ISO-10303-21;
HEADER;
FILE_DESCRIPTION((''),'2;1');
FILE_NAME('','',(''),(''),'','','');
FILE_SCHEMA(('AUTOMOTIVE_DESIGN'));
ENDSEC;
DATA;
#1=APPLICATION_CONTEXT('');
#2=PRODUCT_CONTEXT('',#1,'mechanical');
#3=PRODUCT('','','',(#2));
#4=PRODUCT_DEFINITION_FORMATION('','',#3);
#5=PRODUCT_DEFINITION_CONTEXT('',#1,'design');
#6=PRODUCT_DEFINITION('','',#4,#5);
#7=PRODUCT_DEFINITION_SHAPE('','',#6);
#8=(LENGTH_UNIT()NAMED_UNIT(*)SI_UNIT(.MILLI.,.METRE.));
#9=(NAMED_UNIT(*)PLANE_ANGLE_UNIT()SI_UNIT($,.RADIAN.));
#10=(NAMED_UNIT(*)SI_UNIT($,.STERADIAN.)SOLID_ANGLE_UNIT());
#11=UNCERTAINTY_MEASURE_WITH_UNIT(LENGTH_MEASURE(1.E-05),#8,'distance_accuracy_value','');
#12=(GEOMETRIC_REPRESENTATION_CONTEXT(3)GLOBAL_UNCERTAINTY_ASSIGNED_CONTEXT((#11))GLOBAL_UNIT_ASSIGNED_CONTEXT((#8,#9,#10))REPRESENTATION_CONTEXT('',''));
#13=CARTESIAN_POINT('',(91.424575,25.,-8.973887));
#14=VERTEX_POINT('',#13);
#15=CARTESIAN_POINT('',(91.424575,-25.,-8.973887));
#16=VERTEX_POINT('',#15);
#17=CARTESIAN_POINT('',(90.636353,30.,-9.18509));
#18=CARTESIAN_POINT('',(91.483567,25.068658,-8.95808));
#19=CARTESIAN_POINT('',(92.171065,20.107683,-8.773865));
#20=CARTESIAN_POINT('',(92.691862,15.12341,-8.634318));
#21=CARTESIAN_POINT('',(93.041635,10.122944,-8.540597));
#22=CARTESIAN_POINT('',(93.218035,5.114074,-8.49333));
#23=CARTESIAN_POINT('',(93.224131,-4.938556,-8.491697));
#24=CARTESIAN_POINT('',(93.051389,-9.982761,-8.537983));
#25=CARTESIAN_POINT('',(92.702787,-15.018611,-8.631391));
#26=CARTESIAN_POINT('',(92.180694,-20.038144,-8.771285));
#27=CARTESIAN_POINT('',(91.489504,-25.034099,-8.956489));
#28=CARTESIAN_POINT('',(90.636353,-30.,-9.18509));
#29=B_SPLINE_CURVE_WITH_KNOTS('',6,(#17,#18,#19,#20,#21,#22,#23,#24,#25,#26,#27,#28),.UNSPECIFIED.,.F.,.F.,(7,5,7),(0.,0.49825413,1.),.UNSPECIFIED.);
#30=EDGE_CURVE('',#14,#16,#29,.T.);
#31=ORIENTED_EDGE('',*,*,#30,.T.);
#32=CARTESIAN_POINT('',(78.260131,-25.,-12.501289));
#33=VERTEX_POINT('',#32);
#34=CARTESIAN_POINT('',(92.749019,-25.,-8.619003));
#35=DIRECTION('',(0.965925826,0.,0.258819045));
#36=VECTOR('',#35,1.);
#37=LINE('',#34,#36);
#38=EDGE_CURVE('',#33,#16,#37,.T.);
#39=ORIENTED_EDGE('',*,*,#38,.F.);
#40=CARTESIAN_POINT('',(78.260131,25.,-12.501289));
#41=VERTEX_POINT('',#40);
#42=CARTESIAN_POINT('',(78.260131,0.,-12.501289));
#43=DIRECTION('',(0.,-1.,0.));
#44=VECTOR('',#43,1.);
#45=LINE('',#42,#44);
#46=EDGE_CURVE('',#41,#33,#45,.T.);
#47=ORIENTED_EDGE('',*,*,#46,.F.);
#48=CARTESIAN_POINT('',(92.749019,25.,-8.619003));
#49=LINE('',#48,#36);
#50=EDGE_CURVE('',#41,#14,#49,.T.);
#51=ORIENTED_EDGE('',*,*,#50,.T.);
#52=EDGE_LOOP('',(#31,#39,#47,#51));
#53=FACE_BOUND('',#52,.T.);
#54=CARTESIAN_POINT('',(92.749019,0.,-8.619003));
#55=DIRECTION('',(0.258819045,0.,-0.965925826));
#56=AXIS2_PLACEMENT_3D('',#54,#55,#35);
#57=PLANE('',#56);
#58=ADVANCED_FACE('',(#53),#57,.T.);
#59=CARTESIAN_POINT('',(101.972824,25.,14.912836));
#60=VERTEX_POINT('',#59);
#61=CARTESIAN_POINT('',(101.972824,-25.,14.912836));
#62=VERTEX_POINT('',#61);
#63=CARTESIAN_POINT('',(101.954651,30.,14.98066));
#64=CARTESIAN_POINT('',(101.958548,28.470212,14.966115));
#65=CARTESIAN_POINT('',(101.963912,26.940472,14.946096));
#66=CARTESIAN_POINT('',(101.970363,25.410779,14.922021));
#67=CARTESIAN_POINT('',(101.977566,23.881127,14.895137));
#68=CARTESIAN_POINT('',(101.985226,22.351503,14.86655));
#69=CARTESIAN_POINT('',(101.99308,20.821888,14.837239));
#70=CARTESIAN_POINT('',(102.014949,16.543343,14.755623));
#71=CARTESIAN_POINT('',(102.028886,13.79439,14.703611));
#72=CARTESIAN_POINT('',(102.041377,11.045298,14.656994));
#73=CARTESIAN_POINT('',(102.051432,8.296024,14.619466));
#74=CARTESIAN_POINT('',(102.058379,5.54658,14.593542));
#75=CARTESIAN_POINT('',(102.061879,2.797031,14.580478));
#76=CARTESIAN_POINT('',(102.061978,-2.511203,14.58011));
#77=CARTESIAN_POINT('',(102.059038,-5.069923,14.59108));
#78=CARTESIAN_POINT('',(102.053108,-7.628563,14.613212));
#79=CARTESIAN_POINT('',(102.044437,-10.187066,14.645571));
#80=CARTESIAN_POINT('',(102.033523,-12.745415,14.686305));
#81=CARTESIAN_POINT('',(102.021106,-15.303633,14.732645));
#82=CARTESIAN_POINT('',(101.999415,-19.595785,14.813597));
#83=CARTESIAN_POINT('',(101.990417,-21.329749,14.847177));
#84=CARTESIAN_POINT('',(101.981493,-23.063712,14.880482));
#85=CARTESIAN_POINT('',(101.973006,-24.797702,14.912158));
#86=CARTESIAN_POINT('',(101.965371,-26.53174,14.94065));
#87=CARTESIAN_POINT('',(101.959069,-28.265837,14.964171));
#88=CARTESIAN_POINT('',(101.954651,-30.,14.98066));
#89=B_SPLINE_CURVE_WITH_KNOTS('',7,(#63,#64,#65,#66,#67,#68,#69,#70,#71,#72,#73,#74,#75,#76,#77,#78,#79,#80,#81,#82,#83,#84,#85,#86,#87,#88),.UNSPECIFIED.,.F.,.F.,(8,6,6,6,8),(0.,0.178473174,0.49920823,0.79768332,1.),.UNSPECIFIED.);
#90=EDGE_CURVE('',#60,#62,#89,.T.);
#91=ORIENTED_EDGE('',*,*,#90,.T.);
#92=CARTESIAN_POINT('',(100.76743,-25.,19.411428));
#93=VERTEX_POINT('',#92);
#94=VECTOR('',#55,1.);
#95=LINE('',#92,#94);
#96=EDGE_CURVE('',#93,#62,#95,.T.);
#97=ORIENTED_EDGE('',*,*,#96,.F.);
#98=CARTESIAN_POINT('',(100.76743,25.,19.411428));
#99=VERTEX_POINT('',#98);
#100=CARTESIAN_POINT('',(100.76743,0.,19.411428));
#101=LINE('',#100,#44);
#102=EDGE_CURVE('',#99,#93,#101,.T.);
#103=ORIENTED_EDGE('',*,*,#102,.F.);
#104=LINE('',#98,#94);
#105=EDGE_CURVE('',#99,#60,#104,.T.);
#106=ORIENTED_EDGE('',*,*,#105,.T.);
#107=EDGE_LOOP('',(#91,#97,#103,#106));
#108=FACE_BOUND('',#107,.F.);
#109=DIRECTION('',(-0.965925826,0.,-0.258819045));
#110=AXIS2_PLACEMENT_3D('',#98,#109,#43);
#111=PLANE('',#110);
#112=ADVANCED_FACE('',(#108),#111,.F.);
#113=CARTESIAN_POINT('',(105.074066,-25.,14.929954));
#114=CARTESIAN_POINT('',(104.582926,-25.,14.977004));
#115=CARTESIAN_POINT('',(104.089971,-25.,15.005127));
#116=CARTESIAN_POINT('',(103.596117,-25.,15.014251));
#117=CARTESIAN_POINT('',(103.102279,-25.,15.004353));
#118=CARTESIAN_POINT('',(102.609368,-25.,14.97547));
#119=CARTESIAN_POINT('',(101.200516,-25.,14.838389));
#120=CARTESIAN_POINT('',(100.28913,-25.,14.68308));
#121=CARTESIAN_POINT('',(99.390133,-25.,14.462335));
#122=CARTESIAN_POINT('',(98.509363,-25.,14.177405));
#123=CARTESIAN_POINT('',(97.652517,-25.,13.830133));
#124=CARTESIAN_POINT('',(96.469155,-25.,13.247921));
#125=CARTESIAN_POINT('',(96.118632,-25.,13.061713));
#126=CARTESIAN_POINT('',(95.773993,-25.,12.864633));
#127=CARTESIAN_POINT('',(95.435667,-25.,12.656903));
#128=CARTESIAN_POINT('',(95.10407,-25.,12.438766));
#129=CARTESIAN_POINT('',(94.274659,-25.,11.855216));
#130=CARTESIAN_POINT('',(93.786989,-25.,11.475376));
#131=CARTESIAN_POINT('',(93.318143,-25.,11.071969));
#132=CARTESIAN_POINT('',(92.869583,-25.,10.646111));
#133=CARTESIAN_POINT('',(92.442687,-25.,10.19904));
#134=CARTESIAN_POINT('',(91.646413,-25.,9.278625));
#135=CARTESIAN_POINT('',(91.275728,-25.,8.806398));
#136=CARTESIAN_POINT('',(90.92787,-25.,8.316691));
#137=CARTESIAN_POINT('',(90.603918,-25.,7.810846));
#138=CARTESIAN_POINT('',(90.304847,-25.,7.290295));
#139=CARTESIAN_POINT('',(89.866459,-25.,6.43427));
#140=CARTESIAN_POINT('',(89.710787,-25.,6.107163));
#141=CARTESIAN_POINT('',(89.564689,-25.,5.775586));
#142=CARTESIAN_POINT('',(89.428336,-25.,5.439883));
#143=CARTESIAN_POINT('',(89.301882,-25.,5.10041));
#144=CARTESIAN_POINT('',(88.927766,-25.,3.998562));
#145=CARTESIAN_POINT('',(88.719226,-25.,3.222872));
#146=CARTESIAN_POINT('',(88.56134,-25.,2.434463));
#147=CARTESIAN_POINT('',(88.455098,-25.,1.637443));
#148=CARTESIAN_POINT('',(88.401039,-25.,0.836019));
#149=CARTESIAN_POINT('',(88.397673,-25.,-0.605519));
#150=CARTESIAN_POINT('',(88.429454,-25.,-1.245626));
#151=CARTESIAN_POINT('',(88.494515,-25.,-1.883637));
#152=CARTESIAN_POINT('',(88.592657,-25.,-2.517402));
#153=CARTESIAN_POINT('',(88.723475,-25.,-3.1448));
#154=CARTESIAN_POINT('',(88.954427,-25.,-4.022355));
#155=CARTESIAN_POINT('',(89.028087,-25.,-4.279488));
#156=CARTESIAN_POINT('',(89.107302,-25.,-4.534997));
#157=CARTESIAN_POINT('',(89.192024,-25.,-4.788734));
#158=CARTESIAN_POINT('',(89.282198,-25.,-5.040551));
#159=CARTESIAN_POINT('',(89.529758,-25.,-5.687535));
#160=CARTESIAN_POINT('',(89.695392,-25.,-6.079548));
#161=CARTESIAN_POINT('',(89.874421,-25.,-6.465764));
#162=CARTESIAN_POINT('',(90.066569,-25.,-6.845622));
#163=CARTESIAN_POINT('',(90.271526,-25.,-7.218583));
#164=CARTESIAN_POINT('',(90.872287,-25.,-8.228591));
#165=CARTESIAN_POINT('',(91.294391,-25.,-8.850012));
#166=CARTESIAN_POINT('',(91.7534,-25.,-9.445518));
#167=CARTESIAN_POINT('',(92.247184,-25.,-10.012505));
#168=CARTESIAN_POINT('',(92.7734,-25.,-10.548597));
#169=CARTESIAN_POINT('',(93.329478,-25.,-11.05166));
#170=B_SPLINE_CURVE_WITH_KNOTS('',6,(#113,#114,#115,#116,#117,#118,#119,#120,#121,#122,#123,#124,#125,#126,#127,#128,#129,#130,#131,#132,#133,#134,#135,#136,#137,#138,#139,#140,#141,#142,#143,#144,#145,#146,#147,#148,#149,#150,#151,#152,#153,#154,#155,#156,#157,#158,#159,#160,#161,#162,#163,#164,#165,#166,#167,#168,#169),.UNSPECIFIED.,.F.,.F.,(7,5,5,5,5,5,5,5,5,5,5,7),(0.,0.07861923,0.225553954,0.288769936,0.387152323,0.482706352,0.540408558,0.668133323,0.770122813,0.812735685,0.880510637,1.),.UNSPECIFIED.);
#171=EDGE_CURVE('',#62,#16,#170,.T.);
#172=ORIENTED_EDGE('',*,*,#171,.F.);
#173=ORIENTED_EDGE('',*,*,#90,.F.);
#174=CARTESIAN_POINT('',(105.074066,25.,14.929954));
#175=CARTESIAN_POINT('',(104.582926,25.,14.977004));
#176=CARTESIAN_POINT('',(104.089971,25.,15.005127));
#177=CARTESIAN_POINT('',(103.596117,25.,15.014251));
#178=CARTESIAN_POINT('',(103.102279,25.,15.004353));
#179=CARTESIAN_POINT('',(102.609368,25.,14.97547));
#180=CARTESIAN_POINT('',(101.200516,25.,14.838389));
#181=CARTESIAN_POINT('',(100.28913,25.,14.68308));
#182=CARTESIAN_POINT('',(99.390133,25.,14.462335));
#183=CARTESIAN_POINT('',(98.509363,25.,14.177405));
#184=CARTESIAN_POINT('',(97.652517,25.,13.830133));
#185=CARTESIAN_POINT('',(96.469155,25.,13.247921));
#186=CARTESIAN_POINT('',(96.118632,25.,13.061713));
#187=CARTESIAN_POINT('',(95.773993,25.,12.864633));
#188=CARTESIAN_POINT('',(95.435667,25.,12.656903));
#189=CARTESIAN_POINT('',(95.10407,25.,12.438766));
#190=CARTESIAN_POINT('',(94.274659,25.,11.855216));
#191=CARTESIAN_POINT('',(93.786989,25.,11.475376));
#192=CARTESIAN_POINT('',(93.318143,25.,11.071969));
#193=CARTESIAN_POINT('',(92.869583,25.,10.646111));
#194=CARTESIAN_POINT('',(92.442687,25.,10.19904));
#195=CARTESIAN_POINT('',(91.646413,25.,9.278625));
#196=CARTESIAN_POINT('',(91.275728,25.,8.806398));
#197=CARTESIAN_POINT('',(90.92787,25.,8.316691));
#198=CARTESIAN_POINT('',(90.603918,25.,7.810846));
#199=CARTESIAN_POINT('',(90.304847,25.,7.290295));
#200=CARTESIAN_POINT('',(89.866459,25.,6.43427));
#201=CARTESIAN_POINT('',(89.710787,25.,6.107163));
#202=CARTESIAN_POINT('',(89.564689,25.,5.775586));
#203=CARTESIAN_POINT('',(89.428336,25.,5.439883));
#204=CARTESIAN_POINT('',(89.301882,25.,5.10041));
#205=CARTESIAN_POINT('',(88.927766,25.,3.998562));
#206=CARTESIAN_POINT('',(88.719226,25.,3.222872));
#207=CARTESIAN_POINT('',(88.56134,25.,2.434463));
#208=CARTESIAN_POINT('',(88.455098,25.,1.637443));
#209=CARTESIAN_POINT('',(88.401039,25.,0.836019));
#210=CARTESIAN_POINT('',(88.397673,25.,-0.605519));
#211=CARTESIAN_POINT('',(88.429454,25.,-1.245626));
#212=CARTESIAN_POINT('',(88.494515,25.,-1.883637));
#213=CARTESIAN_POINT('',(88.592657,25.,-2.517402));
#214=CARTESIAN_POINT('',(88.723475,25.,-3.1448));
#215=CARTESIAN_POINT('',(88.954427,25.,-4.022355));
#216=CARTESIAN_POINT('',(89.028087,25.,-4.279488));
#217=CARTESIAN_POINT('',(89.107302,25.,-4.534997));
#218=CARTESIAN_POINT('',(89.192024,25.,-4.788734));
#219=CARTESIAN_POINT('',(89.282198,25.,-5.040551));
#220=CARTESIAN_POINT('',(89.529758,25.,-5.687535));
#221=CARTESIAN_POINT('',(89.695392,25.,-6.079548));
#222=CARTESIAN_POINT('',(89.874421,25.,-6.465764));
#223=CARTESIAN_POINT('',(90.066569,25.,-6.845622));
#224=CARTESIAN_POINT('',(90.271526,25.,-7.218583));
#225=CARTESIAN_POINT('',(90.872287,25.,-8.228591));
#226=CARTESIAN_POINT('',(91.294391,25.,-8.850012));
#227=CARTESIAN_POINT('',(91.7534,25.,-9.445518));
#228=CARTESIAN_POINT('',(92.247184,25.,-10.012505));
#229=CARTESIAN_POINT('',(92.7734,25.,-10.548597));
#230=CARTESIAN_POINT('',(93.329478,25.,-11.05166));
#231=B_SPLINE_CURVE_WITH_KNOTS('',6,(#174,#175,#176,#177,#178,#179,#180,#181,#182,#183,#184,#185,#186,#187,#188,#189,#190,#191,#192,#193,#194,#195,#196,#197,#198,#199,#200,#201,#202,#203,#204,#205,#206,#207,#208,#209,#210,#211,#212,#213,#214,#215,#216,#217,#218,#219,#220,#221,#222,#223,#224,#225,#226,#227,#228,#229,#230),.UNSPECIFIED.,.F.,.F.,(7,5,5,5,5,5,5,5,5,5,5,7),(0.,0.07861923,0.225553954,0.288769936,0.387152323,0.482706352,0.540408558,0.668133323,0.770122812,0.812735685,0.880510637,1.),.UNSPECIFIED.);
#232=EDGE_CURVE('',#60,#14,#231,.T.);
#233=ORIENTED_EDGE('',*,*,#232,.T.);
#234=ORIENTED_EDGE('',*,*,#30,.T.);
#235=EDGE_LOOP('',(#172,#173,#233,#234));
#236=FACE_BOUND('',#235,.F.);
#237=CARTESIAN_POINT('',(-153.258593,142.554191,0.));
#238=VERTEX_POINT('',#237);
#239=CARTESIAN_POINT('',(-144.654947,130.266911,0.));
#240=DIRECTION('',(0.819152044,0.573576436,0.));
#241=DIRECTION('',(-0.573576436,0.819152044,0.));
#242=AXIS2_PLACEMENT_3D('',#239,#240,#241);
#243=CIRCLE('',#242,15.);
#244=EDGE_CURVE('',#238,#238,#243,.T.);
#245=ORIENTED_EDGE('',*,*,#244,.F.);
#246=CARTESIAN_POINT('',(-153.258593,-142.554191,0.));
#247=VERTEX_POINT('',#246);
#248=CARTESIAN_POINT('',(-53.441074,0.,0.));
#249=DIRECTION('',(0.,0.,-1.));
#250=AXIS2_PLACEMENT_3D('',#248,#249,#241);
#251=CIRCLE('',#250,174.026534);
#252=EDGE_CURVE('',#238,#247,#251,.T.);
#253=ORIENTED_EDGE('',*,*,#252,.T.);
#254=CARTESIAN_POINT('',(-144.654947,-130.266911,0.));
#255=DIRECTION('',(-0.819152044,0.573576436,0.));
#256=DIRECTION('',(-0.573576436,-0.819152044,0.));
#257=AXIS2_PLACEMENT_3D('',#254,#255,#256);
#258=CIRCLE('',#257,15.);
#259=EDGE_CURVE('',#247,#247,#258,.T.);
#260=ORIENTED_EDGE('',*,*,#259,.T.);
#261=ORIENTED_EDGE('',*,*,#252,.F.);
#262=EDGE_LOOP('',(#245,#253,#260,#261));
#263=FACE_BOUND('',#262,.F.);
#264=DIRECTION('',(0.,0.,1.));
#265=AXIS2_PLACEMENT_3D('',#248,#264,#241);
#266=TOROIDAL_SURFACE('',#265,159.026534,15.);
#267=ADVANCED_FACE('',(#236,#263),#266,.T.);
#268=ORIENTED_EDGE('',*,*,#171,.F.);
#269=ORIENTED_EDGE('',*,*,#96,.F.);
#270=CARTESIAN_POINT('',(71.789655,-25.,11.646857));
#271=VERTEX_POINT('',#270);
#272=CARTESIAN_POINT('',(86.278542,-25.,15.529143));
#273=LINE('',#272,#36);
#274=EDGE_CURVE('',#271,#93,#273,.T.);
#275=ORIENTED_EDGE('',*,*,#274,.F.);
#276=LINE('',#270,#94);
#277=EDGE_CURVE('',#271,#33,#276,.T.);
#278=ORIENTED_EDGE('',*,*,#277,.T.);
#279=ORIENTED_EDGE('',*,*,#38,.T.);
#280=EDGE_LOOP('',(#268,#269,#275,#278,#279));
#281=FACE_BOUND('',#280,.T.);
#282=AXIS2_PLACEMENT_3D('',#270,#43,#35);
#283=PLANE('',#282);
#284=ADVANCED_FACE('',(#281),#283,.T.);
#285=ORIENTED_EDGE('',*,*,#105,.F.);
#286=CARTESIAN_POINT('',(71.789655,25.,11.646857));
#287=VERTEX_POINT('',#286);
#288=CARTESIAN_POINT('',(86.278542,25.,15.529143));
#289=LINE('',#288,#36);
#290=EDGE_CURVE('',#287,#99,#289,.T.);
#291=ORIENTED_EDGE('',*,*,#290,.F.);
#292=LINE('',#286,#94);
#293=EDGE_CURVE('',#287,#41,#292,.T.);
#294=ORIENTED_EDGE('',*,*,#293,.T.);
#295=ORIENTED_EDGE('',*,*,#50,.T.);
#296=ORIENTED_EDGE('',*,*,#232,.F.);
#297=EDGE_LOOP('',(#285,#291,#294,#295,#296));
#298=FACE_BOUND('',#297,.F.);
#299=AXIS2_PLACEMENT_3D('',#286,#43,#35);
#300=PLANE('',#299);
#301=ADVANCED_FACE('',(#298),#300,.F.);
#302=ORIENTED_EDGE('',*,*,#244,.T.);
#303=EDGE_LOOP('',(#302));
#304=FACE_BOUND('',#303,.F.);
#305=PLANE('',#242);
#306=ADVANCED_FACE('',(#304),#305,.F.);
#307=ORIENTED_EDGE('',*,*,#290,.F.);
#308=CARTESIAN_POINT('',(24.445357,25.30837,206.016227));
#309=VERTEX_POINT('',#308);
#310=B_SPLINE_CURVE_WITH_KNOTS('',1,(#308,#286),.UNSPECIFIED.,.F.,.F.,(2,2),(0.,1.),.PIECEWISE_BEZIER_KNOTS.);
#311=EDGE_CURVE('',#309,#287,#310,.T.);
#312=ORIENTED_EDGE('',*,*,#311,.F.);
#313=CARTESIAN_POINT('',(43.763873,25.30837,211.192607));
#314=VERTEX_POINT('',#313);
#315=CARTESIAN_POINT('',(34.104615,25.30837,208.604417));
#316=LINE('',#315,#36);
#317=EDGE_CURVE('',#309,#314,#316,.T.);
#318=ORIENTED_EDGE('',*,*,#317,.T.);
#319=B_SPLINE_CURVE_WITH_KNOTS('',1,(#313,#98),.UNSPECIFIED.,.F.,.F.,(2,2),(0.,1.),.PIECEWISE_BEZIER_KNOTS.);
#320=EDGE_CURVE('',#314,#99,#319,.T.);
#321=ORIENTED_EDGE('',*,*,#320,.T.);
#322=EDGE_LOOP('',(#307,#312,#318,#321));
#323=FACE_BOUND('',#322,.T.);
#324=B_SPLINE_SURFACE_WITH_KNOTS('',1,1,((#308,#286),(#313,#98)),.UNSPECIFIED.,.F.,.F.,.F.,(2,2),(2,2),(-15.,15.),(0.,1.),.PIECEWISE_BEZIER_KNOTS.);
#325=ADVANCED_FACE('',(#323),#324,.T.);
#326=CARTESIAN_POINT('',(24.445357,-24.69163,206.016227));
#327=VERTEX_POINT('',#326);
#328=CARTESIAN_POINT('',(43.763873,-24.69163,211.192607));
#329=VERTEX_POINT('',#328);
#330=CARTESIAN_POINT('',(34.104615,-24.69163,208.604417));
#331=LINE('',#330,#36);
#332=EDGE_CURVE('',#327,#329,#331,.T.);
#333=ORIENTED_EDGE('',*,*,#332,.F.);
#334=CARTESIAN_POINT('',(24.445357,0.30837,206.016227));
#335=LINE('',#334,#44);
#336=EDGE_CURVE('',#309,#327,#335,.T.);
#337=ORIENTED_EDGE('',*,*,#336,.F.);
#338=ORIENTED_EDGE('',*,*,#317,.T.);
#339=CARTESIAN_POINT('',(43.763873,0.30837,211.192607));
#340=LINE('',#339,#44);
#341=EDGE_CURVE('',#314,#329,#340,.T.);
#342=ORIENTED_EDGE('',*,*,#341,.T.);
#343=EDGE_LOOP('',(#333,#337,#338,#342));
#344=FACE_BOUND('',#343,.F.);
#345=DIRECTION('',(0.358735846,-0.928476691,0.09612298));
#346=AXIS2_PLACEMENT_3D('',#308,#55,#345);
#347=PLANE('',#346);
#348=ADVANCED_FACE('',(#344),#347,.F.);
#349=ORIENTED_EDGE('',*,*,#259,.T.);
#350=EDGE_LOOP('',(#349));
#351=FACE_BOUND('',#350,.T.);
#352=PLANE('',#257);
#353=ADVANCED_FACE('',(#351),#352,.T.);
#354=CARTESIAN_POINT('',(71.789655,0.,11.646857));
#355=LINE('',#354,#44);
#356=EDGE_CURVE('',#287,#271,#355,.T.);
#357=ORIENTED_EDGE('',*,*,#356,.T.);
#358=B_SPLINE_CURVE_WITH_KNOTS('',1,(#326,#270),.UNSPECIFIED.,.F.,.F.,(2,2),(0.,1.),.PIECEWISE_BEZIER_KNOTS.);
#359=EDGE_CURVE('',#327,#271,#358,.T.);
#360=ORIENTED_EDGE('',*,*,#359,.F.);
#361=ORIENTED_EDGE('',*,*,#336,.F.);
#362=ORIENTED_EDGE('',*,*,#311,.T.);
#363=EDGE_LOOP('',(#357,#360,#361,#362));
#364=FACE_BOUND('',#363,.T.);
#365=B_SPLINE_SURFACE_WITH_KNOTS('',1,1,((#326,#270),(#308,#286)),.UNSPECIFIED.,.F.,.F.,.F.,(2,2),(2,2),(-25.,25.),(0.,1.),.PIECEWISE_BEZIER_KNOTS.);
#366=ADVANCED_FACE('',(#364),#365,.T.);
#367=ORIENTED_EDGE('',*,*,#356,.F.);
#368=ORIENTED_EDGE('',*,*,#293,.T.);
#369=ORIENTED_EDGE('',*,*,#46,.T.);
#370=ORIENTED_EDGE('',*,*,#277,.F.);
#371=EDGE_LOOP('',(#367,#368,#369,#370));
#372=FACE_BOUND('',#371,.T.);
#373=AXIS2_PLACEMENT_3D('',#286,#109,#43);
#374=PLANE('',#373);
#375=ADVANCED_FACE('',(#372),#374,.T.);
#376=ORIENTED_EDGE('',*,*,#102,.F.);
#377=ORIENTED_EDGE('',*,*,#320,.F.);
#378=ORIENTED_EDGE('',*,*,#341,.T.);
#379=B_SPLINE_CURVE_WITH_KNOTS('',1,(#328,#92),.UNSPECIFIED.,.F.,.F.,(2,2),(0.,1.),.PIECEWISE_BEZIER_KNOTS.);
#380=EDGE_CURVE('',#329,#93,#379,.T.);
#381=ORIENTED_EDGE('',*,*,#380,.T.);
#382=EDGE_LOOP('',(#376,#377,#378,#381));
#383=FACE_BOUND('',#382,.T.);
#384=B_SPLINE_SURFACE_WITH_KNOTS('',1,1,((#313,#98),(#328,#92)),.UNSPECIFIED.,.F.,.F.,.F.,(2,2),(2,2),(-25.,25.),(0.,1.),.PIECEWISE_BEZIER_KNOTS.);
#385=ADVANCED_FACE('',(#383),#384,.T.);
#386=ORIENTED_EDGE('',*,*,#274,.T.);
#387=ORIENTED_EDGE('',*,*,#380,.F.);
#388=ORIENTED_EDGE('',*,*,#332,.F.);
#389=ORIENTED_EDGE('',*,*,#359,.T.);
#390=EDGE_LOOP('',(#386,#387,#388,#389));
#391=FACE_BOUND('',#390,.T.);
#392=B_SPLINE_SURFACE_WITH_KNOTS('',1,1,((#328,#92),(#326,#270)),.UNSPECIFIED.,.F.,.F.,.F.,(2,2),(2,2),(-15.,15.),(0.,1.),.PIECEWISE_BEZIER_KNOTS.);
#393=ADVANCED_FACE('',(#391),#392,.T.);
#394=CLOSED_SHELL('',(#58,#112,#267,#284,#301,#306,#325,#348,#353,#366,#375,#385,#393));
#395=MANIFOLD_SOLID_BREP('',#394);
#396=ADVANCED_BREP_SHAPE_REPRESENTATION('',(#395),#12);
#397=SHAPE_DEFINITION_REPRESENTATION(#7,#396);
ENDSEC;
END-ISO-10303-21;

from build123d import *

# Parameters (mm, degrees)
F0_R          = 15
F2_ANGLE_BACK = 125
F2_ANGLE      = 250
F6_W          = 30
F6_H          = 50
F7_DEPTH      = 25
F9_W          = 20
F9_H          = 50
F7_FACE_W     = 30
F7_FACE_H     = 50


with BuildPart() as f2:
    # F0 (on Front) → F2 (revolve)
    with BuildSketch(Plane.XZ, mode=Mode.PRIVATE) as f2_sk:
        with Locations((105.5854605263, 0)):
            Circle(F0_R)
    revolve(f2_sk.sketch.rotate(Axis((-53.4410737455, 0, -2.1003899164), (0, 0, -1)), -F2_ANGLE_BACK), axis=Axis((-53.4410737455, 0, -2.1003899164), (0, 0, -1)), revolution_arc=F2_ANGLE)

    # F6 (on line) → F7 (join)
    with BuildSketch(Plane(origin=(1.8972807651, 0, -7.0807482116), x_dir=(0.9659258263, 0, 0.2588190451), z_dir=(0.2588190451, 0, -0.9659258263))):
        with Locations((87.3579102681, 0)):
            Rectangle(F6_W, F6_H)
    extrude(amount=F7_DEPTH)

    # F9 (on offset) → F10 section 0
    with BuildSketch(Plane(origin=(-49.8665282554, 0, 186.1044170462), x_dir=(0.9659258263, 0, 0.2588190451), z_dir=(0.2588190451, 0, -0.9659258263))):
        with Locations((86.933324366, -0.3083702177)):
            Rectangle(F9_W, F9_H)
    # F7_face (on face) → F10 section 1
    with BuildSketch(Plane(origin=(86.2785424237, 0, 15.5291427062), x_dir=(0.9659258263, 0, 0.2588190451), z_dir=(-0.2588190451, 0, 0.9659258263))):
        Rectangle(F7_FACE_W, F7_FACE_H)
    loft()


solid = f2.part
